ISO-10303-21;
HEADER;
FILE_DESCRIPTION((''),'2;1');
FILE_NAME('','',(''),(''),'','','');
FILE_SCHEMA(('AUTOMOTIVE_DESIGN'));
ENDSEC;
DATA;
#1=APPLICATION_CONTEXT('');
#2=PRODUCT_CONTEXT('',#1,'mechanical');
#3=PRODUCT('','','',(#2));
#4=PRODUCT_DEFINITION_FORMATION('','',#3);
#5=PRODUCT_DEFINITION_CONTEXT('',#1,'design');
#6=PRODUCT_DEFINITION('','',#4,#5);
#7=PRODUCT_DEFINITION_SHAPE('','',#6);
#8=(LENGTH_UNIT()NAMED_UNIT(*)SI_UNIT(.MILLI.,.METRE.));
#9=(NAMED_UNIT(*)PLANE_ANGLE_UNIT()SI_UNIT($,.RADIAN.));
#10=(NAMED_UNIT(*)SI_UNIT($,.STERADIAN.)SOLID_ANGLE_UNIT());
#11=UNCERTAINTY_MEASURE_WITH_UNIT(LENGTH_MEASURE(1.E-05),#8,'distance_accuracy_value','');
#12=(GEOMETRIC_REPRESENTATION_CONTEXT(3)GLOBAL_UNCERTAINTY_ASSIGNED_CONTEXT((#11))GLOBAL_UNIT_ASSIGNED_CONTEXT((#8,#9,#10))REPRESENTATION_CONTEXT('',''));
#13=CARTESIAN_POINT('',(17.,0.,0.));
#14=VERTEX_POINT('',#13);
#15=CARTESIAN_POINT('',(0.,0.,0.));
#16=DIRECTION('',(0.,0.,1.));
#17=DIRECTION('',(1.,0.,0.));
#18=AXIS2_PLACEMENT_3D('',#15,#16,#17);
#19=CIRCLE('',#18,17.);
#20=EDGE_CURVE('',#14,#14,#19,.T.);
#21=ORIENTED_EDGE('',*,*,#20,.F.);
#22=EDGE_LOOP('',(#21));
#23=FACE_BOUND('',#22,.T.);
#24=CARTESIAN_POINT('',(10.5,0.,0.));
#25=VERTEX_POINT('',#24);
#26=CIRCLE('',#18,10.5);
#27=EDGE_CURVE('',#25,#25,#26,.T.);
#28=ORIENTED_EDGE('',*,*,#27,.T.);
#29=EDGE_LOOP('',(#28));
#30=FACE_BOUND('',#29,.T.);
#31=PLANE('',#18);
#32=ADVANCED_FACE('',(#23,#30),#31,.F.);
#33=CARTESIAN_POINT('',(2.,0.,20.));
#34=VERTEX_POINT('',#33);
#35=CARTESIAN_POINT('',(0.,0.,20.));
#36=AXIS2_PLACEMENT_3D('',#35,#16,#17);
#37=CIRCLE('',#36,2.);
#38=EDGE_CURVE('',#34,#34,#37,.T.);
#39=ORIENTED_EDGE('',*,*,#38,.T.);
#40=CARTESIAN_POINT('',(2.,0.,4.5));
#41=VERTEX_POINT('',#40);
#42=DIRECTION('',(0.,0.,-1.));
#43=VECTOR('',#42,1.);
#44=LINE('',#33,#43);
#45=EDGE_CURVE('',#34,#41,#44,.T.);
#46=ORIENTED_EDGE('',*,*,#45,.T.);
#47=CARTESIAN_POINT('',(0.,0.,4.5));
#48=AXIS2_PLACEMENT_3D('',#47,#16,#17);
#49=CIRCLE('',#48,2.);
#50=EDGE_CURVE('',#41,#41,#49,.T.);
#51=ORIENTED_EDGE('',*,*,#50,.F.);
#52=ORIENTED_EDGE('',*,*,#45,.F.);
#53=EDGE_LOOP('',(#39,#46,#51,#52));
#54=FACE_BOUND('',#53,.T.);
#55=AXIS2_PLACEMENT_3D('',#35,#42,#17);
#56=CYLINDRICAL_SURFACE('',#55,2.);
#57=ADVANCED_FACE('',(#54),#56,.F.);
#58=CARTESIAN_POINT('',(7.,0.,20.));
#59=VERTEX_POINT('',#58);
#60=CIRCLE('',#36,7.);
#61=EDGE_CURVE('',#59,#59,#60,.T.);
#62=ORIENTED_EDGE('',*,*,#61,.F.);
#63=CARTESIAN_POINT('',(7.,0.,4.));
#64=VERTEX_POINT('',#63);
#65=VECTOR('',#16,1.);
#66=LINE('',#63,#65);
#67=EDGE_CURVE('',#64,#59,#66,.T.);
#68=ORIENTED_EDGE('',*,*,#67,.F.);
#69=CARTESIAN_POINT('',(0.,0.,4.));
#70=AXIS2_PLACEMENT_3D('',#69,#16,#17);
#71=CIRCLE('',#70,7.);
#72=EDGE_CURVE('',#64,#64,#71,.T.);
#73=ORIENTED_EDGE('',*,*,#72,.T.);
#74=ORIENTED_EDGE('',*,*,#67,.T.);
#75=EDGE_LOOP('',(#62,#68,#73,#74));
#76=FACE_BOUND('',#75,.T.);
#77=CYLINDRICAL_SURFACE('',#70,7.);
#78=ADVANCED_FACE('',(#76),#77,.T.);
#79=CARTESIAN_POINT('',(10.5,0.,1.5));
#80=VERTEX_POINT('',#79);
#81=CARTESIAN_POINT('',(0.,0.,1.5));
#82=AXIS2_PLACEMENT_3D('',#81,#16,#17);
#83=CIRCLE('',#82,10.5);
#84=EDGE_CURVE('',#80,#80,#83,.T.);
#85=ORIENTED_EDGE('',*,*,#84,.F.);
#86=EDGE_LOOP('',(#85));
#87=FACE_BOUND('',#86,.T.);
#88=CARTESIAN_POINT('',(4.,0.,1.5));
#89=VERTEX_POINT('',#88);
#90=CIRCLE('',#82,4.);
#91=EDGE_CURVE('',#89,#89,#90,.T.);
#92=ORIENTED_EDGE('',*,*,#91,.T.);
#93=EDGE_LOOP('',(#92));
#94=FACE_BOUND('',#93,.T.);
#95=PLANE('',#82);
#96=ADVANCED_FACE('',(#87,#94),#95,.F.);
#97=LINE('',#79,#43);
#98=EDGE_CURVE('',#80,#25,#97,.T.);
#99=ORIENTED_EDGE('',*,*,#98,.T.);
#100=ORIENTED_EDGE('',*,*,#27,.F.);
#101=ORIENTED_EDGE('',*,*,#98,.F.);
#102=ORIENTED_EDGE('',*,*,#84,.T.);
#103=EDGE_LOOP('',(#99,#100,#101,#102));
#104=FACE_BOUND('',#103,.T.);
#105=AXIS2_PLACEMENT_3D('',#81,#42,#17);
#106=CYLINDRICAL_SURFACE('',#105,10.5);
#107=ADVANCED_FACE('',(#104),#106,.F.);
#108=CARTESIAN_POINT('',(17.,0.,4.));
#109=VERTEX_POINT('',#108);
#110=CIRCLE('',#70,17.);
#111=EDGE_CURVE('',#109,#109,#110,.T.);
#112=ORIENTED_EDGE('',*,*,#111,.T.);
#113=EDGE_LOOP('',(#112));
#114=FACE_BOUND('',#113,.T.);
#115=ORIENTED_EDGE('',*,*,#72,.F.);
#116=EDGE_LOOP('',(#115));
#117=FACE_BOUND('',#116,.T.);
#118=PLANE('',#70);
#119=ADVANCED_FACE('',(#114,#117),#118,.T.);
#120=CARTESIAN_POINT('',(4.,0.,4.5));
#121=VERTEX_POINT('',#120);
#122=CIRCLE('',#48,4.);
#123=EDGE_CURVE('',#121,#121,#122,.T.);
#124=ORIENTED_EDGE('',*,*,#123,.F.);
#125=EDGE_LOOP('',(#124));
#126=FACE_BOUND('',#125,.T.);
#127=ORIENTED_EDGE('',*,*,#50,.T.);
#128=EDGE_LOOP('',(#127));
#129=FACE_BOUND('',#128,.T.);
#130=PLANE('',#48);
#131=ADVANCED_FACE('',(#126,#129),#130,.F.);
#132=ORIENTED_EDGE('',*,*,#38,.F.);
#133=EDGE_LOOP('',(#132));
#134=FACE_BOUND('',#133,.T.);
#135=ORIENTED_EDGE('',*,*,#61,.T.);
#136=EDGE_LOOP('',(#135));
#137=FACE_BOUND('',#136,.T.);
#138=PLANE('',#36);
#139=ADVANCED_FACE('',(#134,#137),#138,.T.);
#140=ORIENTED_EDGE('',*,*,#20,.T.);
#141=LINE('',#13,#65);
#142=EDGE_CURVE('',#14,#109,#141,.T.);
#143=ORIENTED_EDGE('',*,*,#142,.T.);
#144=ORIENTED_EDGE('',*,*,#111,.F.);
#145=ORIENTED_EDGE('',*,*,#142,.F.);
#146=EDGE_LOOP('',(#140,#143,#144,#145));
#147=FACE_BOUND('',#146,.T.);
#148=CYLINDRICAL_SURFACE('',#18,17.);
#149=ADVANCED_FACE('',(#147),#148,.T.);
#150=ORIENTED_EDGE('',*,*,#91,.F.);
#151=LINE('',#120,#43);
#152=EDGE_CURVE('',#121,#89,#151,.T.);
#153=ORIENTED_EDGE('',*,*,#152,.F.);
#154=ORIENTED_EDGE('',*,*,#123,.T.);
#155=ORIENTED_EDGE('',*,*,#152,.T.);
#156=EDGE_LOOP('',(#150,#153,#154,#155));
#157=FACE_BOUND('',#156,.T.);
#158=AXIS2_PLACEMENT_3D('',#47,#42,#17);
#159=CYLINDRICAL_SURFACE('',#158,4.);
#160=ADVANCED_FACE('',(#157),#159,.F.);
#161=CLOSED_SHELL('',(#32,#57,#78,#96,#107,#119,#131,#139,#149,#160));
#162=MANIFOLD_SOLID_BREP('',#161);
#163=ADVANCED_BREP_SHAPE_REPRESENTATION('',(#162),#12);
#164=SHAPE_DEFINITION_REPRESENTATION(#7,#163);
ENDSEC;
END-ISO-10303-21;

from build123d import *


with BuildPart() as part:
    # Sketch → Revolution (revolve)
    with BuildSketch(Plane.XZ):
        Polygon((2, 20), (2, 4.5), (4, 4.5), (4, 1.5), (10.5, 1.5), (10.5, 0), (17, 0), (17, 4), (7, 4), (7, 20), align=None)
    revolve(axis=Axis((0, 0, 0), (0, 0, 1)))


solid = part.part
